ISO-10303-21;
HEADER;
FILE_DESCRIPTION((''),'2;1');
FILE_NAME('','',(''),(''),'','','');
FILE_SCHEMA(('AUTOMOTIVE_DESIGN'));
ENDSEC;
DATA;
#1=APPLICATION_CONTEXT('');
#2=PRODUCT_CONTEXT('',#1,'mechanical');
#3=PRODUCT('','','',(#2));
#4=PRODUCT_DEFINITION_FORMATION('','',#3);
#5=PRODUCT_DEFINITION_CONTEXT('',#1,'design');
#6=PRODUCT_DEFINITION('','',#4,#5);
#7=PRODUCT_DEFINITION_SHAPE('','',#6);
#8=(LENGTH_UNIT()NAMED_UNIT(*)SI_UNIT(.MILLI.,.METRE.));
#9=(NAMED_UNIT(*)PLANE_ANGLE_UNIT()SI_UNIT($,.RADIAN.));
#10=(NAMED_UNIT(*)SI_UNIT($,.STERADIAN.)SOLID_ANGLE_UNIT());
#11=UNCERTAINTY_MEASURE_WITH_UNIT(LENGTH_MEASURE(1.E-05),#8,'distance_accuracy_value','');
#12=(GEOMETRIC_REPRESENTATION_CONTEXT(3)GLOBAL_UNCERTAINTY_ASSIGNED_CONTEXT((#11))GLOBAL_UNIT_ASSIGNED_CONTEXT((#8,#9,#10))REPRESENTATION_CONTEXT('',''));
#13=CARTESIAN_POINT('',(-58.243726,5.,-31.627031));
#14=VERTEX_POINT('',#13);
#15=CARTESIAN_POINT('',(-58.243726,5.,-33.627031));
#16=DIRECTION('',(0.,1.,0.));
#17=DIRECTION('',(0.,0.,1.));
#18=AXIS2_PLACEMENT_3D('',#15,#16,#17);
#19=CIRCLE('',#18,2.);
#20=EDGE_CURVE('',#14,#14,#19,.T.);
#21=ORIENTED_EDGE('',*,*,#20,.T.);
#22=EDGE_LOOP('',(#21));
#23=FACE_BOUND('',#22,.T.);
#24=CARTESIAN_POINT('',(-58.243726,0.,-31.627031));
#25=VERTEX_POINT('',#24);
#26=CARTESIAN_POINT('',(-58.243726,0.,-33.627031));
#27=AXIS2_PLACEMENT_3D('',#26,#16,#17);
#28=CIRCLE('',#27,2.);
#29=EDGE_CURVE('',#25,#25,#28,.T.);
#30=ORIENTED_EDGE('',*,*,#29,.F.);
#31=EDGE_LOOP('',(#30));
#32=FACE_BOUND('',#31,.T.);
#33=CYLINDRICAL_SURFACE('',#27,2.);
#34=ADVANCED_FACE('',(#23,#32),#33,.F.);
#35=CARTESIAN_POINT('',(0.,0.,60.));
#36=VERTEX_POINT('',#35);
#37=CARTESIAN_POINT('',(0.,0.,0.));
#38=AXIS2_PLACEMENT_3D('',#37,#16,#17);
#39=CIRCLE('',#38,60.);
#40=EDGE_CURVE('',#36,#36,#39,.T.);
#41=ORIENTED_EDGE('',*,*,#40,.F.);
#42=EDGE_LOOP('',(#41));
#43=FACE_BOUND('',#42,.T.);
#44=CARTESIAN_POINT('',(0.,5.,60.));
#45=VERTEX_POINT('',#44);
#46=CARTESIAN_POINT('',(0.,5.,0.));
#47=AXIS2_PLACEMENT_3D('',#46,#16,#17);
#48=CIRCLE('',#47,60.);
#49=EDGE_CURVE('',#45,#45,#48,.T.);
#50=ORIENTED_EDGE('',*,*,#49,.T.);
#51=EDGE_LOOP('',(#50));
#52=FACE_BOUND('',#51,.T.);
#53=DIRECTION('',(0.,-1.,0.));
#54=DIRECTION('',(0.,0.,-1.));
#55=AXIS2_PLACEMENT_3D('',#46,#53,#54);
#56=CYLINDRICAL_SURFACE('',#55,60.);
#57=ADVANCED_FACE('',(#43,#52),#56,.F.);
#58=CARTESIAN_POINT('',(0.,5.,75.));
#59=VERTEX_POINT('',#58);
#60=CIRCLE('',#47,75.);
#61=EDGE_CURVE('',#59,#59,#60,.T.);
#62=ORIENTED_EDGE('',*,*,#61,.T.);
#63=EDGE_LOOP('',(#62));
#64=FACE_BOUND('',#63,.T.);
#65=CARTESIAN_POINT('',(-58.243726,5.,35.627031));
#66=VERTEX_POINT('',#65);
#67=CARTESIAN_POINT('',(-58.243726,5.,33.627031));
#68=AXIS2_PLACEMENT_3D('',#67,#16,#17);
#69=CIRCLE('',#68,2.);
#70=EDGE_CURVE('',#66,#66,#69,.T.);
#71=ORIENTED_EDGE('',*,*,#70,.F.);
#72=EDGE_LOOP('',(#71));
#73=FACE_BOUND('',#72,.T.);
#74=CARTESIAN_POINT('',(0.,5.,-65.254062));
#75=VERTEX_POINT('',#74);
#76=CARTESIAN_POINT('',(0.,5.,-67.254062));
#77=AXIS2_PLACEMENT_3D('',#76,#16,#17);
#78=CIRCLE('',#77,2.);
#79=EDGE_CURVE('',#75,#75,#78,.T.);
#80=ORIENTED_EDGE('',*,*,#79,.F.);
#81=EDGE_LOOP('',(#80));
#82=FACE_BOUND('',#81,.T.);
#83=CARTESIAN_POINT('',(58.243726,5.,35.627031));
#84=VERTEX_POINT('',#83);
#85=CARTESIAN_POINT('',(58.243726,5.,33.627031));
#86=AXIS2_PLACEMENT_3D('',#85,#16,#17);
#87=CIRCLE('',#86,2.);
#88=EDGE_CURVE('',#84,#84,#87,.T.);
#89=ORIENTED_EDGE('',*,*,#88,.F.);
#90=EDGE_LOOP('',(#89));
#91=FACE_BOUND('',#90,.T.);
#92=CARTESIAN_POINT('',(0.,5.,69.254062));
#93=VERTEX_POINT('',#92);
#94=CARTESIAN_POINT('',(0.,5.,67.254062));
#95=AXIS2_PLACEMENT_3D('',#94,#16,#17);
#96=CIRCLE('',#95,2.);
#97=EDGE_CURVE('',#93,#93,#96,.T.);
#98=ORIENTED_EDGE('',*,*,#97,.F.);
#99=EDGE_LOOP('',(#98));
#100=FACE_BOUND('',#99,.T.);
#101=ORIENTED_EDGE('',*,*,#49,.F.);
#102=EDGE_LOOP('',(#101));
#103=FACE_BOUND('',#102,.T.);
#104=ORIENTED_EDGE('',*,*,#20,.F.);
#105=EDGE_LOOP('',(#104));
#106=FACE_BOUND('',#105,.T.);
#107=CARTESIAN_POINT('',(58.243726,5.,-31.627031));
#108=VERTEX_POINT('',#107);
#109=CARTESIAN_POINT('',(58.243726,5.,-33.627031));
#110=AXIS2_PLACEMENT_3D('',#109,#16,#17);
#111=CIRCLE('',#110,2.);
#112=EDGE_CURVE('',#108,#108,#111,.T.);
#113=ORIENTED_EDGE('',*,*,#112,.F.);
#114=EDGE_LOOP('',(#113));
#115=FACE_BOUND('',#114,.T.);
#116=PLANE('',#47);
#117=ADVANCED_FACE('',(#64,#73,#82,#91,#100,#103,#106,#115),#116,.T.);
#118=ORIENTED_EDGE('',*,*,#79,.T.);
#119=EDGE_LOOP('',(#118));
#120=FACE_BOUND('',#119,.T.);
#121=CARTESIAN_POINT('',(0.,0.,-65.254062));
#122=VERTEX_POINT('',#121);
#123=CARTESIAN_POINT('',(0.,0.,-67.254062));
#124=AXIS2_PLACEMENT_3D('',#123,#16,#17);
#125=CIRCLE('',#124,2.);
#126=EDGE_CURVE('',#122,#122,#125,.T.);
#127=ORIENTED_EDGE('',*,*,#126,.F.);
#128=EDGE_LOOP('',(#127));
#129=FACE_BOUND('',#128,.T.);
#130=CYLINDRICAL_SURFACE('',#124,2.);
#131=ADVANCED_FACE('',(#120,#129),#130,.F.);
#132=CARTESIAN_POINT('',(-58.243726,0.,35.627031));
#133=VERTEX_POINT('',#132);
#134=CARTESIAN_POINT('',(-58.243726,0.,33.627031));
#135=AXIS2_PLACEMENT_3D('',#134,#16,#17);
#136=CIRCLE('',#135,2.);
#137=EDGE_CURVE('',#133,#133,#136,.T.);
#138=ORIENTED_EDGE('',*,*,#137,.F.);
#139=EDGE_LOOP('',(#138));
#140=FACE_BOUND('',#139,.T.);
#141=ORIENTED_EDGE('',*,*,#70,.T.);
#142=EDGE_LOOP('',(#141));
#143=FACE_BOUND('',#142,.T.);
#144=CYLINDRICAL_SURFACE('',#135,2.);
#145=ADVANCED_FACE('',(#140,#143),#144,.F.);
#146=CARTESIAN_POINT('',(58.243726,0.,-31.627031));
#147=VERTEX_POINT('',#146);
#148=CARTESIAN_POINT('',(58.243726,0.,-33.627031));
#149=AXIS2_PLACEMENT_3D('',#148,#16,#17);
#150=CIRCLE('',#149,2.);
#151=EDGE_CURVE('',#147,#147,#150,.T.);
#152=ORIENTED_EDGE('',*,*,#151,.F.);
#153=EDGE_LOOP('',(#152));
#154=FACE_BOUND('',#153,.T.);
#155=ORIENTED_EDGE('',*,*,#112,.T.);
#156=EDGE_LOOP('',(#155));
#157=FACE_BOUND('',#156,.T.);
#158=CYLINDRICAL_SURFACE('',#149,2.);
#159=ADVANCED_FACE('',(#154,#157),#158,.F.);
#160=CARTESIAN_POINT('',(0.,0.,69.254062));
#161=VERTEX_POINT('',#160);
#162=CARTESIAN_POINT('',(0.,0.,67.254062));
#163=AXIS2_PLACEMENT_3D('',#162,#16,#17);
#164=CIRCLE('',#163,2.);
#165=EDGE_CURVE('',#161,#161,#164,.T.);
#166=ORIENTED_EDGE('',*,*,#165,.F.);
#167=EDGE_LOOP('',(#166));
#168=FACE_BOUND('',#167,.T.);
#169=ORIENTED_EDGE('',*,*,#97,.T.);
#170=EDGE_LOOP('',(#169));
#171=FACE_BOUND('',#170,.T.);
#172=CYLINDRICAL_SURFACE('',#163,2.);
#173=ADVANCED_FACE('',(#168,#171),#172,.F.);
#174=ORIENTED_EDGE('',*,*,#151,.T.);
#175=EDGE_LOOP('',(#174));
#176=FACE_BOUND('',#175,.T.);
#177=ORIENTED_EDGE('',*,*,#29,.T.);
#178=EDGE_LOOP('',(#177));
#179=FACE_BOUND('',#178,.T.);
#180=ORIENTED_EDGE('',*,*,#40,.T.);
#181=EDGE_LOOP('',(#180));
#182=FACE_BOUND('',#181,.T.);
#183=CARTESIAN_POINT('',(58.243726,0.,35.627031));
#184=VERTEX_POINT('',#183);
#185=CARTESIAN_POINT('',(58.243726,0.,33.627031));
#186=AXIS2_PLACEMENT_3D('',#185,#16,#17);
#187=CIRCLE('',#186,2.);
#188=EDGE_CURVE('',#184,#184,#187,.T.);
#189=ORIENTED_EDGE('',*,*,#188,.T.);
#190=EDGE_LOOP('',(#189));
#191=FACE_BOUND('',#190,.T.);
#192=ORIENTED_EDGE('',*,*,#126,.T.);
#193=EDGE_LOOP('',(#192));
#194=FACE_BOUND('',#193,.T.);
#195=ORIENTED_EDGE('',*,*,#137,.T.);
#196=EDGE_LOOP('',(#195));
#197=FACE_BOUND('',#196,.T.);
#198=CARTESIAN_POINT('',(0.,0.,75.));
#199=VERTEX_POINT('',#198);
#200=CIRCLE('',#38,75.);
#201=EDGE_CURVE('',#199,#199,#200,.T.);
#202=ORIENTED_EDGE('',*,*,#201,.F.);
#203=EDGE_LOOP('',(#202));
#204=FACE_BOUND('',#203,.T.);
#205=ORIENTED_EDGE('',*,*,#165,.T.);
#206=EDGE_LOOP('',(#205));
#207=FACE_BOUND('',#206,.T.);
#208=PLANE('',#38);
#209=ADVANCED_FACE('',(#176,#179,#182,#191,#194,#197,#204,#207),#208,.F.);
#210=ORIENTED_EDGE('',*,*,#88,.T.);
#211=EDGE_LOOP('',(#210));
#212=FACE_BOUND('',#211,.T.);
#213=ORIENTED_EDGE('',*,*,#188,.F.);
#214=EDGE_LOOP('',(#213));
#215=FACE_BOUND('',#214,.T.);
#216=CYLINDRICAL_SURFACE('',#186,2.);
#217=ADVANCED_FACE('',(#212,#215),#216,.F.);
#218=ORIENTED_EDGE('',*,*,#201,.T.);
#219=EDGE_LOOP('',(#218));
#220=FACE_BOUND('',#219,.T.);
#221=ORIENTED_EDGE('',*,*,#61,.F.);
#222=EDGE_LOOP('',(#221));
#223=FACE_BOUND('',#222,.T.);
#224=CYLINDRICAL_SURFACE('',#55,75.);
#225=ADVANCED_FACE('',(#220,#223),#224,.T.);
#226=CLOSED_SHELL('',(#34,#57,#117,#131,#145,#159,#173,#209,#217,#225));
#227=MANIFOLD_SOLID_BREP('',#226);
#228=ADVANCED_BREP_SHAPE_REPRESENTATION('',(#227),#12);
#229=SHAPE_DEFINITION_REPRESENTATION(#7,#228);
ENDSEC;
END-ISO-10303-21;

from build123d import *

# Parameters (mm, degrees)
SKETCH_1_R          = 75
SKETCH_1_R_2        = 60
EXTRUDE_1_DEPTH     = 5
SKETCH_2_R          = 2
CUT_EXTRUDE_1_DEPTH = 107.183802908


with BuildPart() as part:
    # Эскиз1 → Бобышка-Вытянуть1 (new body)
    with BuildSketch(Plane(origin=(0, 0, 0), x_dir=(1, 0, 0), z_dir=(0, 1, 0))):
        with Locations(Location((0, 0, 0), (0, 0, 270))):
            Circle(SKETCH_1_R)
        with Locations(Location((0, 0, 0), (0, 0, 270))):
            Circle(SKETCH_1_R_2, mode=Mode.SUBTRACT)
    extrude(amount=EXTRUDE_1_DEPTH)

    # Эскиз2 → Вырез-Вытянуть1 (cut, through all)
    with BuildSketch(Plane(origin=(0, 5, 0), x_dir=(1, 0, 0), z_dir=(0, 1, 0))):
        with Locations(Location((0, 67.254061919, 0), (0, 0, 270))):
            Circle(SKETCH_2_R)
        with Locations(Location((58.24372613, 33.62703096, 0), (0, 0, 270))):
            Circle(SKETCH_2_R)
        with Locations(Location((58.24372613, -33.62703096, 0), (0, 0, 270))):
            Circle(SKETCH_2_R)
        with Locations(Location((0, -67.254061919, 0), (0, 0, 270))):
            Circle(SKETCH_2_R)
        with Locations(Location((-58.24372613, -33.62703096, 0), (0, 0, 270))):
            Circle(SKETCH_2_R)
        with Locations(Location((-58.24372613, 33.62703096, 0), (0, 0, 270))):
            Circle(SKETCH_2_R)
    extrude(amount=-CUT_EXTRUDE_1_DEPTH, mode=Mode.SUBTRACT)


solid = part.part
